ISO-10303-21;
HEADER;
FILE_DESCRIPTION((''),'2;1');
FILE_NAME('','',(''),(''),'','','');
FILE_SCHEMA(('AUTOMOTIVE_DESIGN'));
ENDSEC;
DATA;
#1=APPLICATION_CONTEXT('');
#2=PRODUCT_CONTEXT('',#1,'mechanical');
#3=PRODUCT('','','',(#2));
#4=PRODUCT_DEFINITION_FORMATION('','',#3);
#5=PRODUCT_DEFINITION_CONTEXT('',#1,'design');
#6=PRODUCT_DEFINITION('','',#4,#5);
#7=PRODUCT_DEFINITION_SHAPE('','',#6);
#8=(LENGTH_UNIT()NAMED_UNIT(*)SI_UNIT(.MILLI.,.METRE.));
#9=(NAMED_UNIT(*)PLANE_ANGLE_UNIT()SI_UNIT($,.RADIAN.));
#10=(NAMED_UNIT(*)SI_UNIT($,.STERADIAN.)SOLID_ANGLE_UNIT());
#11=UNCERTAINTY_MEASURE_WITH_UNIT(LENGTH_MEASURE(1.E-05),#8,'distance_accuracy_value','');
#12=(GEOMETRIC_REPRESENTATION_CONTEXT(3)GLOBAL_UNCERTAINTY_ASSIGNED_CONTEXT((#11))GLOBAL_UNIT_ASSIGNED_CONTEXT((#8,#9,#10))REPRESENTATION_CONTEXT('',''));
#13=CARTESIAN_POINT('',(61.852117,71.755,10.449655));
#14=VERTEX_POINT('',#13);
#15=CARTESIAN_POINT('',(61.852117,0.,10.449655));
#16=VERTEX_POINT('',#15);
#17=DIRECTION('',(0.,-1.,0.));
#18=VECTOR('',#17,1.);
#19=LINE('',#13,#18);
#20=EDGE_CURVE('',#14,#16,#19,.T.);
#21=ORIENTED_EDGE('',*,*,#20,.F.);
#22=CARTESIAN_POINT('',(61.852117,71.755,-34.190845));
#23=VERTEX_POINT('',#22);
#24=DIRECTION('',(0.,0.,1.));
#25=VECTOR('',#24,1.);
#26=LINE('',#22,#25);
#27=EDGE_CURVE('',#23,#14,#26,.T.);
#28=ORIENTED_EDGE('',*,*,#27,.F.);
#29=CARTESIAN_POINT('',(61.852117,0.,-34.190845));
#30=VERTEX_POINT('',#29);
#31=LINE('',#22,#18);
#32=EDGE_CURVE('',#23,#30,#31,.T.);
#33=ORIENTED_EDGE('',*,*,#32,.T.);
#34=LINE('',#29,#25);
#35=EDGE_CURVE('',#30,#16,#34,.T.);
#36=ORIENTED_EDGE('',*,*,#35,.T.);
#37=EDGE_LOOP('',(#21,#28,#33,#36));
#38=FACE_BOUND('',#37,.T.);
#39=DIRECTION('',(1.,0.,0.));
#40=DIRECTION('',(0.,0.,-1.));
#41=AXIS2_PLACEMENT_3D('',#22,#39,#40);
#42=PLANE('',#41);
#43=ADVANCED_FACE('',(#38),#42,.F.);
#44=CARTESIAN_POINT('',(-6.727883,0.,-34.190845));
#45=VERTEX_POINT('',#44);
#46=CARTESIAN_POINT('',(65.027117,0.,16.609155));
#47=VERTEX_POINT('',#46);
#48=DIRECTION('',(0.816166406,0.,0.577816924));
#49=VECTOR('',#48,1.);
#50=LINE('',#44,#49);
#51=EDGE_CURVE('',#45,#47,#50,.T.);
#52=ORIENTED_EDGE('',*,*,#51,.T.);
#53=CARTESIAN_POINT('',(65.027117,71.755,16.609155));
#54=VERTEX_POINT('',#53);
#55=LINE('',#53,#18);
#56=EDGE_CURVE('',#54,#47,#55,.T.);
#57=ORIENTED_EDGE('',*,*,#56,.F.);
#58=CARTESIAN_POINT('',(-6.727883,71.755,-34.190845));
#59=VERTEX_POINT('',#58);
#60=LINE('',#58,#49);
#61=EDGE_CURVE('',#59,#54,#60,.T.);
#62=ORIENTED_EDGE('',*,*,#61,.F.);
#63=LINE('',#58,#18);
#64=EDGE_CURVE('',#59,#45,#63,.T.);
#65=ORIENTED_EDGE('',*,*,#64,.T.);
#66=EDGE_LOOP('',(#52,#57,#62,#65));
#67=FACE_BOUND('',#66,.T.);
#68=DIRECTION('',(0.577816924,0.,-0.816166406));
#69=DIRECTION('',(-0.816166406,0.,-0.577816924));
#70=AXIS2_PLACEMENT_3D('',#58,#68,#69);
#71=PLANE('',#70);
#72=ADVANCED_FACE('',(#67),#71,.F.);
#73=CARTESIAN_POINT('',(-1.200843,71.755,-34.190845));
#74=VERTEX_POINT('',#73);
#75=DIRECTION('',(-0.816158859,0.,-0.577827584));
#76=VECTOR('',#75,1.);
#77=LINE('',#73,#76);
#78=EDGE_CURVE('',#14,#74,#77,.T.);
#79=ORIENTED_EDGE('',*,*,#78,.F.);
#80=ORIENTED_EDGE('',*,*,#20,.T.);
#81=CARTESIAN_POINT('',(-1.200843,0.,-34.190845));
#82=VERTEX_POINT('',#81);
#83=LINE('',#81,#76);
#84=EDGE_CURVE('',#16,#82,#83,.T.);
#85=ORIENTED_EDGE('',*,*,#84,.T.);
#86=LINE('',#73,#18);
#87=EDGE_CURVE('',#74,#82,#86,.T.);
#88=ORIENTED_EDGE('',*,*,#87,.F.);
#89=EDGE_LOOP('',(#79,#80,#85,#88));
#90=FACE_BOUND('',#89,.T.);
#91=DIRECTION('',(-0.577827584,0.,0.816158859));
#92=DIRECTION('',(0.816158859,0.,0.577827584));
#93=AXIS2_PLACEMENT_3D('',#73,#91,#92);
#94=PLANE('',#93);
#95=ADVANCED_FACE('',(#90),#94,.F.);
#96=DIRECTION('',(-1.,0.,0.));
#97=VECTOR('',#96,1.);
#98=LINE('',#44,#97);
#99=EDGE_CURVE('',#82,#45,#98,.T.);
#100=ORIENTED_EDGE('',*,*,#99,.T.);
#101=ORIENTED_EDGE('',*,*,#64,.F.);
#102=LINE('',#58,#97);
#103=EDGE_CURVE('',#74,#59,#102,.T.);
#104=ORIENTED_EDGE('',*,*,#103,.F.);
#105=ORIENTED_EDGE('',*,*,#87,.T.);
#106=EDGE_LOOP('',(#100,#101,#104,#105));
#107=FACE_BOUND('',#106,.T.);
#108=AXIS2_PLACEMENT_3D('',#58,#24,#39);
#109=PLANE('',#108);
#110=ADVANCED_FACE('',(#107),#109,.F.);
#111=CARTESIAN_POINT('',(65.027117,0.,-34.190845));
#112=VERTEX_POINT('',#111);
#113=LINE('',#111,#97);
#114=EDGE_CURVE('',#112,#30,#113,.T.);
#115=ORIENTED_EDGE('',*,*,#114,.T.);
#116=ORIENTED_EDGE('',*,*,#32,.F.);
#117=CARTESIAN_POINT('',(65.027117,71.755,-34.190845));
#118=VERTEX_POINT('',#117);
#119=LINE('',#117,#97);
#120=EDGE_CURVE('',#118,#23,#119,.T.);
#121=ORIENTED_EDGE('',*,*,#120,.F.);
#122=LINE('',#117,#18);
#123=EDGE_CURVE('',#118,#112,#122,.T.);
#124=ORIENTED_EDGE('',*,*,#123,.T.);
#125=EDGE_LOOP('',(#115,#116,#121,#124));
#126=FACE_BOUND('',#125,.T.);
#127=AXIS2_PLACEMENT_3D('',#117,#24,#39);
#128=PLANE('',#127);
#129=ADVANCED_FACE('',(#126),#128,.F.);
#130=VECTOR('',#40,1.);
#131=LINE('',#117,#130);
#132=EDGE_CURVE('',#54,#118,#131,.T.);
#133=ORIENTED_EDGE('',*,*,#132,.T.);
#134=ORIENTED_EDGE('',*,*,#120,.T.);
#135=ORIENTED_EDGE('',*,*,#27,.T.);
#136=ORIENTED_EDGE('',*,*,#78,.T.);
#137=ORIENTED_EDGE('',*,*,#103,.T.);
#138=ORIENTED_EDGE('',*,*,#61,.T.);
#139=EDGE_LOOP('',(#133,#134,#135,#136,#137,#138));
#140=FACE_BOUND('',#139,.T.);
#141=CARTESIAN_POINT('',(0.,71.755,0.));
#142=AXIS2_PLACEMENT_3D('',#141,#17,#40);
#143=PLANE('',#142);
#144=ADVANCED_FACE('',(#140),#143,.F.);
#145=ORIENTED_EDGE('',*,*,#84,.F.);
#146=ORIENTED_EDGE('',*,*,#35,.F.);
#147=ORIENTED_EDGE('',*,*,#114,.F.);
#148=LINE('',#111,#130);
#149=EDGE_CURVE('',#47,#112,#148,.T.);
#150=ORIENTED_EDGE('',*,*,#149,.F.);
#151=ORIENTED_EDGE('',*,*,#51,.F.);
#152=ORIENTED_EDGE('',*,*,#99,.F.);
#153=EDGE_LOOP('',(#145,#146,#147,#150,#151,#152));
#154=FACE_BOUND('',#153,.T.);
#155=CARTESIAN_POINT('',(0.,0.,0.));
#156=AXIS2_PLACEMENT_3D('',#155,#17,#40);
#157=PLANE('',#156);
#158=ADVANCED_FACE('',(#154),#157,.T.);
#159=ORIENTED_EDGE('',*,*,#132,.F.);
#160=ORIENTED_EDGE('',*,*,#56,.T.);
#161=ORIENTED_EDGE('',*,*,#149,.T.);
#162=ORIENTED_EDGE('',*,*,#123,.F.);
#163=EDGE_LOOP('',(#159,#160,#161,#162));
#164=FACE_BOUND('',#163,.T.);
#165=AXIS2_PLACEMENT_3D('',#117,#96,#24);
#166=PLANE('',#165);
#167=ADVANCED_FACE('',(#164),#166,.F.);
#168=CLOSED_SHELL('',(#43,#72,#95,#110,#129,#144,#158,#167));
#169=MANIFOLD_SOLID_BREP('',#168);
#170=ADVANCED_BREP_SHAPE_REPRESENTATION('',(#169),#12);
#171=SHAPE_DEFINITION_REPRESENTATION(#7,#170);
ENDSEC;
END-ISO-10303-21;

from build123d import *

# Parameters (mm, degrees)
BOSS_EXTRUDE1_DEPTH = 71.755


with BuildPart() as part:
    # Sketch1 → Boss-Extrude1 (new body)
    with BuildSketch(Plane(origin=(0, 0, 0), x_dir=(1, 0, 0), z_dir=(0, 1, 0))):
        Polygon((65.027116768, 34.190845126), (65.027116768, -16.609154874), (-6.727883232, 34.190845126), (-1.200843232, 34.190845126), (61.852116768, -10.449654874), (61.852116768, 34.190845126), align=None)
    extrude(amount=BOSS_EXTRUDE1_DEPTH)


solid = part.part
